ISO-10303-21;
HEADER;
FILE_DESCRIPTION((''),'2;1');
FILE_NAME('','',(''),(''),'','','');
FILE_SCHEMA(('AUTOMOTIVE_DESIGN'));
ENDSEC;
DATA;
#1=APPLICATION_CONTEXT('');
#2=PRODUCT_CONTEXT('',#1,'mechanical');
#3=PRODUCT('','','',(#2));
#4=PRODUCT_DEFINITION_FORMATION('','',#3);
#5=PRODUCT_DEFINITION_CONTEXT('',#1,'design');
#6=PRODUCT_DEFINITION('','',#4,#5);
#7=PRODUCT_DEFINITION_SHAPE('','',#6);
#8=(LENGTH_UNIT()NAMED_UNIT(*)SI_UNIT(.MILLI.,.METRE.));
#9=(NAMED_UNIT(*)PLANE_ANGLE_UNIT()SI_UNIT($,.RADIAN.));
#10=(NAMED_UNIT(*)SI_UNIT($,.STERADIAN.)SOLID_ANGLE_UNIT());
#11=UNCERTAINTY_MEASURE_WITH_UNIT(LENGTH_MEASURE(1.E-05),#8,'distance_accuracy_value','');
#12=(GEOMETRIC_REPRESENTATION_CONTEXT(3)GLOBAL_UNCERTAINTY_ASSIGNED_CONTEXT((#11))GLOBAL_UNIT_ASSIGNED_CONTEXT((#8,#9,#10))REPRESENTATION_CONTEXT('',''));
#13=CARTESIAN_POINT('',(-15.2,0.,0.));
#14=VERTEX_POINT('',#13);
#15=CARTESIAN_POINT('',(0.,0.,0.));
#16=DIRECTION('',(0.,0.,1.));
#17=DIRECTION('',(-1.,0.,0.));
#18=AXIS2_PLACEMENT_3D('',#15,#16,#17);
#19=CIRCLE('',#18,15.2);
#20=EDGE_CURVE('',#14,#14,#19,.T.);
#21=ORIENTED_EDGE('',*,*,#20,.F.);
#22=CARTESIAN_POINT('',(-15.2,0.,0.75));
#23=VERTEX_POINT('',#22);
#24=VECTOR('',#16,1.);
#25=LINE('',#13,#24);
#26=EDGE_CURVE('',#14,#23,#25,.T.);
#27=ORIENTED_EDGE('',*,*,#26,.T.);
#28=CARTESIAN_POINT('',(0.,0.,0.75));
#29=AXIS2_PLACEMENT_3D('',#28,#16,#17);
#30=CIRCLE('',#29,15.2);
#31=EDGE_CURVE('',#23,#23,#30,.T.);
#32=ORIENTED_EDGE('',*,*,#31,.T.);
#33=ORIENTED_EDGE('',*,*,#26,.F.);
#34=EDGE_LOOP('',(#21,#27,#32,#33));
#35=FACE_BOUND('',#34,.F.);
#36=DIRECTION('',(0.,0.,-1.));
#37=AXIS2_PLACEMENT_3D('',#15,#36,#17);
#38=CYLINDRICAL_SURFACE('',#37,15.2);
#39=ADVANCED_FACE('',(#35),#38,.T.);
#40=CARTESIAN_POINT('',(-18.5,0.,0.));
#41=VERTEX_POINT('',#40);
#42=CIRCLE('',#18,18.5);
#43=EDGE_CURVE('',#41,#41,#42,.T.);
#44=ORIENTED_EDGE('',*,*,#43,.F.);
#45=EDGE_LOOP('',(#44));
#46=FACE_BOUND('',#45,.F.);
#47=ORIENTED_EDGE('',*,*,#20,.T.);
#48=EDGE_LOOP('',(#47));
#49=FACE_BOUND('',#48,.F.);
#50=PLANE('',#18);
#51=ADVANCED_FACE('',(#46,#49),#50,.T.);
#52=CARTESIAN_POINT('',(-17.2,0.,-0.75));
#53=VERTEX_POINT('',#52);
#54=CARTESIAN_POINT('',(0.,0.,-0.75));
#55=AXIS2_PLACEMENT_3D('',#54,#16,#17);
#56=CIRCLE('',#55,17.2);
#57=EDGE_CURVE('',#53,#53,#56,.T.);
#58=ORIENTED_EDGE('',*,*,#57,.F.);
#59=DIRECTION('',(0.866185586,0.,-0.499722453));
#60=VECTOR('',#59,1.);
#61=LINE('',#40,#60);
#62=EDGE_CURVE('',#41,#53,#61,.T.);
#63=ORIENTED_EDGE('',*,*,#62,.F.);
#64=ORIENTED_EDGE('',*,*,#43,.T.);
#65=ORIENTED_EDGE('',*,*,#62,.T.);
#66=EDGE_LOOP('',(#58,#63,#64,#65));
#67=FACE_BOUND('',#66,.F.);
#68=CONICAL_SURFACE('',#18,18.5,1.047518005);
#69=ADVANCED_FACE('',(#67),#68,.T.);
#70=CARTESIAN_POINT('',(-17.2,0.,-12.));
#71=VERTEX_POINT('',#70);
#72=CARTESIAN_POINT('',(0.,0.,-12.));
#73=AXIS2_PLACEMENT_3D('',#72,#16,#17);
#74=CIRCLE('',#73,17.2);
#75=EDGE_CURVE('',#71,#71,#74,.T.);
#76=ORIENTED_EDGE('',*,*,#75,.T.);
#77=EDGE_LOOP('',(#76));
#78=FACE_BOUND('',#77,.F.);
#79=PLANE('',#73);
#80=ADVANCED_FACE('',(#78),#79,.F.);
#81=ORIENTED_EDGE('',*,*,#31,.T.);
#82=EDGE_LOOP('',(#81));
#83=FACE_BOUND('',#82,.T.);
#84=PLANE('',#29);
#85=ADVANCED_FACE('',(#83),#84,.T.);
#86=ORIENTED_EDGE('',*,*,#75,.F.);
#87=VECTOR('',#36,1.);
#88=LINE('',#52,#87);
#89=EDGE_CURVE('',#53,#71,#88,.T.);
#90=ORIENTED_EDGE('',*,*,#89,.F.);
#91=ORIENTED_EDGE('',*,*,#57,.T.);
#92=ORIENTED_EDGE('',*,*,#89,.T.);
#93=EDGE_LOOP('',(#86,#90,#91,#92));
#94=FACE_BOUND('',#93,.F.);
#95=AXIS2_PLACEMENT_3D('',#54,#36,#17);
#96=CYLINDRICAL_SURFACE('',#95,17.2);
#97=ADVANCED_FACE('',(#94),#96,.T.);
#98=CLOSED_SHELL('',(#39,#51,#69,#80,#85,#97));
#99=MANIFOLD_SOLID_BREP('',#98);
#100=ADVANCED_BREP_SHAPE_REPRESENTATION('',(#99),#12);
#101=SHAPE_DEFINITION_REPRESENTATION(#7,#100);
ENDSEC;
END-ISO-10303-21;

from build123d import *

# Parameters (mm, degrees)
SKETCH001_R = 15.2
PAD_DEPTH   = 0.75


with BuildPart() as part:
    # Sketch → Revolution (revolve)
    with BuildSketch(Plane.XZ):
        Polygon((0, 0), (-18.5, 0), (-17.2, -0.75), (-17.2, -12), (0, -12), align=None)
    revolve(axis=Axis((0, 0, 0), (0, 0, 1)))

    # Sketch001 (on Face1 of Revolution) → Pad (new body)
    with BuildSketch(Plane(origin=(0, 0, 0), x_dir=(-1, 0, 0), z_dir=(0, 0, 1))):
        Circle(SKETCH001_R)
    extrude(amount=PAD_DEPTH)


solid = part.part
